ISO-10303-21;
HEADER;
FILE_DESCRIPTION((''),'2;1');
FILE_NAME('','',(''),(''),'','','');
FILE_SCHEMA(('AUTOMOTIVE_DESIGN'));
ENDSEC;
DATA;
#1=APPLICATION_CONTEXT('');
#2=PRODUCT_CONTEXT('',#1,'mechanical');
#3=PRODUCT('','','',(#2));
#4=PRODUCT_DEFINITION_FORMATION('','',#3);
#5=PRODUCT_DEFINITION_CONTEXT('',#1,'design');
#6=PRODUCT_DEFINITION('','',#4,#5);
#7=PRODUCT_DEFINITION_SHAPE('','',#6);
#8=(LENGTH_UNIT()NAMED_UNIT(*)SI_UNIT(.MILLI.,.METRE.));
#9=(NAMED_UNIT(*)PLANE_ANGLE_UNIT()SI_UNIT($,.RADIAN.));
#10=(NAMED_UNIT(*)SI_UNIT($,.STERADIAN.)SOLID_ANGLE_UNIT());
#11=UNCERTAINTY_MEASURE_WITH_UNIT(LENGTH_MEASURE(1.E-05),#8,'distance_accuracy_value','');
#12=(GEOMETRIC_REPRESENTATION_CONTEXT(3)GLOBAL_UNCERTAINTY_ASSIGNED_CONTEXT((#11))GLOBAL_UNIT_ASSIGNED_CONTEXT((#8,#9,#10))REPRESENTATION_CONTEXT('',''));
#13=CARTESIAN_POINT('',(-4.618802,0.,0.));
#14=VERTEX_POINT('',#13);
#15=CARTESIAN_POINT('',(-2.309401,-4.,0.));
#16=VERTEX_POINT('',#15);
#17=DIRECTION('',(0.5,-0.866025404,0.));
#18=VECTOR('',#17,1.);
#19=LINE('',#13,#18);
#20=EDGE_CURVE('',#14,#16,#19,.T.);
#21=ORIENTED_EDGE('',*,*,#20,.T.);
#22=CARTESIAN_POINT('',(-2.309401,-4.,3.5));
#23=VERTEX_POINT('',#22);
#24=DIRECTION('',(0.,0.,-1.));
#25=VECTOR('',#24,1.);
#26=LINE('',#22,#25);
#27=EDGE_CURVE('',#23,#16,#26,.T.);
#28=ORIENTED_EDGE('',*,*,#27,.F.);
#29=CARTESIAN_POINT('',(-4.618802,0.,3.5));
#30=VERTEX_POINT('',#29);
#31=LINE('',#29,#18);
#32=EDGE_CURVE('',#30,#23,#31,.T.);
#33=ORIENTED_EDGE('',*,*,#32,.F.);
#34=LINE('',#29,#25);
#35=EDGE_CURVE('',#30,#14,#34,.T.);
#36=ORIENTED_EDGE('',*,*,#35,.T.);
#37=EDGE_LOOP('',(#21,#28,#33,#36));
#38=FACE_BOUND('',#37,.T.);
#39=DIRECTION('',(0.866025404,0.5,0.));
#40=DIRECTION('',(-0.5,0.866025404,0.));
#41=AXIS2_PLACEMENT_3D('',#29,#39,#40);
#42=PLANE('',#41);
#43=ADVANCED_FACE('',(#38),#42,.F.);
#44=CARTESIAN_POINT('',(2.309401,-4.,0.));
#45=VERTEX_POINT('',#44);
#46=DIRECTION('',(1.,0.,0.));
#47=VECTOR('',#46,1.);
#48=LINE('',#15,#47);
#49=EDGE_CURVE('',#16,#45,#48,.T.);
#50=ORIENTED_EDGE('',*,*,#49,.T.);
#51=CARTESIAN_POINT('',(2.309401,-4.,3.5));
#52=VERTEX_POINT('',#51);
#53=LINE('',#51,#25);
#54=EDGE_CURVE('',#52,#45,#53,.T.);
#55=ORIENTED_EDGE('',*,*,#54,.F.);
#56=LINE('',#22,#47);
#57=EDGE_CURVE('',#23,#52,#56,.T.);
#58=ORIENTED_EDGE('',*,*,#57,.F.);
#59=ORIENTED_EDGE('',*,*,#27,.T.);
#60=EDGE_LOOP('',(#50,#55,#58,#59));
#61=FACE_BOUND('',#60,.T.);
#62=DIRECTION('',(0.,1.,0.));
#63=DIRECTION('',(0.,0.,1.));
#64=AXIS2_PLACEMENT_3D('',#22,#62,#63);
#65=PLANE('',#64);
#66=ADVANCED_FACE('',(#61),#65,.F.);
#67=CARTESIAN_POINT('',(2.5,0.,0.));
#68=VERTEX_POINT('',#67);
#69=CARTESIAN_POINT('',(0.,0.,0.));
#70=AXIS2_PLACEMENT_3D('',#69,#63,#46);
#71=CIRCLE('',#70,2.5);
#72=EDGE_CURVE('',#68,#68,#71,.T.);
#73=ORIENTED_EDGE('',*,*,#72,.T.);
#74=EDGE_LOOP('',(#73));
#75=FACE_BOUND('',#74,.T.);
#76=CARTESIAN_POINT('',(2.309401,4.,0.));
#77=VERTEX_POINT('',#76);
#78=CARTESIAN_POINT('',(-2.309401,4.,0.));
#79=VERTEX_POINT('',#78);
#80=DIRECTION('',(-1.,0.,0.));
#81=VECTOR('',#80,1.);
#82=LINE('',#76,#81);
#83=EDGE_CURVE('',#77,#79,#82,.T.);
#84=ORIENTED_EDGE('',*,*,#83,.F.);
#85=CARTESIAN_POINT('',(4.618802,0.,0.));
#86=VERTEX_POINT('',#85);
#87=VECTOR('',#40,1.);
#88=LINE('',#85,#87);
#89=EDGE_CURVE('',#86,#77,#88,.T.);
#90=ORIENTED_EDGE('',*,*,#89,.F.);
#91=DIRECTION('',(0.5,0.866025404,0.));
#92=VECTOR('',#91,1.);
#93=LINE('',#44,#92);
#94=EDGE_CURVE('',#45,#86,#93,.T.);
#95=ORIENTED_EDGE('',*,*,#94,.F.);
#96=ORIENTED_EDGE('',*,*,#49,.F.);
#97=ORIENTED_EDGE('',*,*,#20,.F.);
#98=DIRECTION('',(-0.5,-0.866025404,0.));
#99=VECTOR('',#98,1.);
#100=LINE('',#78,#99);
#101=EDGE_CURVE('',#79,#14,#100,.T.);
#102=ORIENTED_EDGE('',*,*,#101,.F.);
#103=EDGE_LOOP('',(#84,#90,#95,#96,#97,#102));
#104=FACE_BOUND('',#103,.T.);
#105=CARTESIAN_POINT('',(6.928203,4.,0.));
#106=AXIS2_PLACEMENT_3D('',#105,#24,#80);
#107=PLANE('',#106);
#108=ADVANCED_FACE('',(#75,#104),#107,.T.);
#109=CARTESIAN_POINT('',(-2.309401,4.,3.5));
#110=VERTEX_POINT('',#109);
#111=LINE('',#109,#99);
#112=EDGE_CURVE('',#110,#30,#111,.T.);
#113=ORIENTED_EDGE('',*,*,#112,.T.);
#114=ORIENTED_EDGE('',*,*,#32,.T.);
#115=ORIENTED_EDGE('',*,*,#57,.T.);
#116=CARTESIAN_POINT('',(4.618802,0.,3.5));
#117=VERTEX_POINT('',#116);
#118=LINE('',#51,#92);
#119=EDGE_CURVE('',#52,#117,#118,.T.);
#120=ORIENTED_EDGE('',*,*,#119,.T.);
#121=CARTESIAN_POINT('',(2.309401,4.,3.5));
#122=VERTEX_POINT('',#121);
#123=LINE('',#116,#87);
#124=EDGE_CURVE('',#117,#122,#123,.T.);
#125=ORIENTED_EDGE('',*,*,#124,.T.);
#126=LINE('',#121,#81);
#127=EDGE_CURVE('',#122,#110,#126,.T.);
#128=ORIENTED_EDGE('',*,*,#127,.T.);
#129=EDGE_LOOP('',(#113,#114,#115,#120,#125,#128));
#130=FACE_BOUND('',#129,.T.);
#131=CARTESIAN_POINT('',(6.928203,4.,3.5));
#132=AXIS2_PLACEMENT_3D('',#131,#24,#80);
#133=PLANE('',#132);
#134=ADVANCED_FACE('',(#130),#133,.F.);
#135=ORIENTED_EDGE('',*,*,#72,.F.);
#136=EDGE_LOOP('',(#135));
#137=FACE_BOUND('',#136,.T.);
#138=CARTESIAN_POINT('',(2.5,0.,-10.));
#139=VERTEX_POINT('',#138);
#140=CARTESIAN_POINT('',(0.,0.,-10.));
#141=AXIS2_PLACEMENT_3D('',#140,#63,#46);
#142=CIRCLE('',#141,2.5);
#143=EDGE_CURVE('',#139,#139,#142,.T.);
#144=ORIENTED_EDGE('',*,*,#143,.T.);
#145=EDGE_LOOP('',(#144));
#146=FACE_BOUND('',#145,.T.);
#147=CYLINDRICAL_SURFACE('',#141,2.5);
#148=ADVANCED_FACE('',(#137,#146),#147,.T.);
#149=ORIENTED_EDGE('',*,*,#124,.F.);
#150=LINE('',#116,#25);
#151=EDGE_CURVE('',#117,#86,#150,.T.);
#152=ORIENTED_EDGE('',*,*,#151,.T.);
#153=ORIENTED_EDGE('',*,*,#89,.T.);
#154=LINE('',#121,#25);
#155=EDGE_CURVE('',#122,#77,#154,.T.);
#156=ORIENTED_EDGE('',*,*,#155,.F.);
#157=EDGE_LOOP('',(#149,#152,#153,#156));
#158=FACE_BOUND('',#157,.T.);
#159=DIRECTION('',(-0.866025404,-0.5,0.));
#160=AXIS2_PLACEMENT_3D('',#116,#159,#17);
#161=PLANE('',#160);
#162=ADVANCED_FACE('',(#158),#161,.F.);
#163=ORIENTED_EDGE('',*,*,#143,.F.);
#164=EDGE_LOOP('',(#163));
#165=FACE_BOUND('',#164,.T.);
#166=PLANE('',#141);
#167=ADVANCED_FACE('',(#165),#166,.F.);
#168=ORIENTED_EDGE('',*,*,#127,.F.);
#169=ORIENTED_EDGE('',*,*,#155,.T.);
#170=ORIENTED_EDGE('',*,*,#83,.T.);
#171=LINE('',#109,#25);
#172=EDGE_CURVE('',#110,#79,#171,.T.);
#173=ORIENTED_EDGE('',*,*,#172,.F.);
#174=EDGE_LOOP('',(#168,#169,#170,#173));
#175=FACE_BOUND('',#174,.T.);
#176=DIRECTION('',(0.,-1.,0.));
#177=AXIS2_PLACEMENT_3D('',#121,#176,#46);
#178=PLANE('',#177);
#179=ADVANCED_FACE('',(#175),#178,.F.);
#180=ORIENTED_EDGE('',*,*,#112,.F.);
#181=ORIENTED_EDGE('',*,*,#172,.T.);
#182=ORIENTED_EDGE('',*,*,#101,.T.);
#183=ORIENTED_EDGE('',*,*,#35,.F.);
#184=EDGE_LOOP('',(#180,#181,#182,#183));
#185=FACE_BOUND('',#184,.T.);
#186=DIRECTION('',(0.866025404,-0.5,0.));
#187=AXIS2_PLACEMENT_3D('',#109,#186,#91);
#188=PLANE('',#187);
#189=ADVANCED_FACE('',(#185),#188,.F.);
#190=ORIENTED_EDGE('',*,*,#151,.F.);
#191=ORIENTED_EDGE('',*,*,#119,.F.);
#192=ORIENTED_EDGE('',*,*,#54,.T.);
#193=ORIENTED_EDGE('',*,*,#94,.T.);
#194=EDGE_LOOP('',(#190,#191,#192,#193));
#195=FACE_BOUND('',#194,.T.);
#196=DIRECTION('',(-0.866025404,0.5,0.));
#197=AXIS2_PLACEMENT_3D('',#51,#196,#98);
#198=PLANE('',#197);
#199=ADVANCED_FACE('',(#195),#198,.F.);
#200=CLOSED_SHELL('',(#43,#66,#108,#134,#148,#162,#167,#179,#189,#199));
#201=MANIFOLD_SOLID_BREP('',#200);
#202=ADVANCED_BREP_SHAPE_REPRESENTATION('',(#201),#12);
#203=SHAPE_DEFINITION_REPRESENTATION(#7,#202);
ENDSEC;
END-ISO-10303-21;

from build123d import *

# Parameters (mm, degrees)
SKETCH1_R      = 2.5
EXTRUDE1_DEPTH = 10
EXTRUDE2_DEPTH = 3.5


with BuildPart() as part:
    # Sketch1 → Extrude1 (new body)
    with BuildSketch(Plane.XY):
        Circle(SKETCH1_R)
    extrude(amount=-EXTRUDE1_DEPTH)

    # Sketch2 → Extrude2 (add)
    with BuildSketch(Plane.XY):
        Polygon((-2.309401077, 4), (-4.618802154, 0), (-2.309401077, -4), (2.309401077, -4), (4.618802154, 0), (2.309401077, 4), align=None)
    extrude(amount=EXTRUDE2_DEPTH)


solid = part.part
